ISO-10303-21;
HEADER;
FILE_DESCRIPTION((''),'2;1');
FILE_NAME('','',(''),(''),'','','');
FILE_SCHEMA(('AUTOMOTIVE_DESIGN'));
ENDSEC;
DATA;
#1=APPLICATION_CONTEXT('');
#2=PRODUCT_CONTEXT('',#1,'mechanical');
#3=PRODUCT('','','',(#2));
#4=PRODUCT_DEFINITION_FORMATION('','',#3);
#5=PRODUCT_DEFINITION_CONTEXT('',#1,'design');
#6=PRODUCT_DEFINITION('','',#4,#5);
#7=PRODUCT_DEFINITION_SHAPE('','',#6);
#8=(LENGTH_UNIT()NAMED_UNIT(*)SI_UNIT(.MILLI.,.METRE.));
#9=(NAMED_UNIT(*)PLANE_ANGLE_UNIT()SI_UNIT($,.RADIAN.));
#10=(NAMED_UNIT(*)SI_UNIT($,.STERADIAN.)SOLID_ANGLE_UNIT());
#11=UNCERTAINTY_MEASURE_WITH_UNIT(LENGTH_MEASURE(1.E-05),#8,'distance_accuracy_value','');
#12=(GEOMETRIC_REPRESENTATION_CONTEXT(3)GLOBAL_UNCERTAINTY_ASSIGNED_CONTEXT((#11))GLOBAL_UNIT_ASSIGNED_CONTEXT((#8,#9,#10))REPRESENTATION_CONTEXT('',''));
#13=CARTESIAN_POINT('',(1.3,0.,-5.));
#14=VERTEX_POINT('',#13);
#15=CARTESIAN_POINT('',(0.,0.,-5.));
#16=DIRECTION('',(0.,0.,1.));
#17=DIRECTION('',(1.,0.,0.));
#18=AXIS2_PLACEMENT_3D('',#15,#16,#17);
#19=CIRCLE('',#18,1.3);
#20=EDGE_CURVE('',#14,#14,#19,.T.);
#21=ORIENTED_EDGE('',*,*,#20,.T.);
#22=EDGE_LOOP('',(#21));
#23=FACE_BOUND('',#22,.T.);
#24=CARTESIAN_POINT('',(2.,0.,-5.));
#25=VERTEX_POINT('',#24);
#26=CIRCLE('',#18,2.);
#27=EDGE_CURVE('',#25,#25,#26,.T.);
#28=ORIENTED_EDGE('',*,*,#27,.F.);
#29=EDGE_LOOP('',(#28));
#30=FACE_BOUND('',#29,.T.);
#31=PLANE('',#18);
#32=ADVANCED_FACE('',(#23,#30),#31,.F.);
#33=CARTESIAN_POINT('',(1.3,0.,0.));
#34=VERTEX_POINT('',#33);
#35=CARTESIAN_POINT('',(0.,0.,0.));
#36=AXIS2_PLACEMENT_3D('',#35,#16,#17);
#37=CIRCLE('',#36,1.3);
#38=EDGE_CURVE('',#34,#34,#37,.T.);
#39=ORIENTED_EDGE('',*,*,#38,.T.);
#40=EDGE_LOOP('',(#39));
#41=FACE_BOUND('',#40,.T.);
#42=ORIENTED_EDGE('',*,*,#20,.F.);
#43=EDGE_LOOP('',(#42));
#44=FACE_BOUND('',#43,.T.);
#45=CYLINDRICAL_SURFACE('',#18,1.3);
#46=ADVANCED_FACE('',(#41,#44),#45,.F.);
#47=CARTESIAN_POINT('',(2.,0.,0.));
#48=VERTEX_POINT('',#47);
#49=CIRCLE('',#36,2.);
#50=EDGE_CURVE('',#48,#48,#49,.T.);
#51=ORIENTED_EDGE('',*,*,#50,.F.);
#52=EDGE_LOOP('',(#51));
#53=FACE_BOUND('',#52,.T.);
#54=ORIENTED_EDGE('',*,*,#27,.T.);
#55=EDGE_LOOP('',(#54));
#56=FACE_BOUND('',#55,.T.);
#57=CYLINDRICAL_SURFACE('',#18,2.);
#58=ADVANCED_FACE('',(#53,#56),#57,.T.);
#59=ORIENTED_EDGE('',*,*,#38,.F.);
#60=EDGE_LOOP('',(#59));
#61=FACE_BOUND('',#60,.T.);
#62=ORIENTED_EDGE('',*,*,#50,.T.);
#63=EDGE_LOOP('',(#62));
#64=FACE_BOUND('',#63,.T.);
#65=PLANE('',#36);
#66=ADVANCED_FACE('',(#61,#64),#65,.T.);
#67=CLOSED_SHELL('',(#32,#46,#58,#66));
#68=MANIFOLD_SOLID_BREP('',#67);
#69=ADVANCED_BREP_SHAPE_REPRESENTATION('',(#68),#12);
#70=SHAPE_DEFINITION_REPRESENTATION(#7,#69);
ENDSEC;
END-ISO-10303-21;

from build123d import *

# Parameters (mm, degrees)
SKETCH1_R           = 2
BOSS_EXTRUDE1_DEPTH = 5
SKETCH2_R           = 1.3
CUT_EXTRUDE1_DEPTH  = 6


with BuildPart() as part:
    # Sketch1 → Boss-Extrude1 (new body)
    with BuildSketch(Plane.XY):
        Circle(SKETCH1_R)
    extrude(amount=-BOSS_EXTRUDE1_DEPTH)

    # Sketch2 → Cut-Extrude1 (cut, through all)
    with BuildSketch(Plane.XY):
        Circle(SKETCH2_R)
    extrude(amount=-CUT_EXTRUDE1_DEPTH, mode=Mode.SUBTRACT)


solid = part.part
